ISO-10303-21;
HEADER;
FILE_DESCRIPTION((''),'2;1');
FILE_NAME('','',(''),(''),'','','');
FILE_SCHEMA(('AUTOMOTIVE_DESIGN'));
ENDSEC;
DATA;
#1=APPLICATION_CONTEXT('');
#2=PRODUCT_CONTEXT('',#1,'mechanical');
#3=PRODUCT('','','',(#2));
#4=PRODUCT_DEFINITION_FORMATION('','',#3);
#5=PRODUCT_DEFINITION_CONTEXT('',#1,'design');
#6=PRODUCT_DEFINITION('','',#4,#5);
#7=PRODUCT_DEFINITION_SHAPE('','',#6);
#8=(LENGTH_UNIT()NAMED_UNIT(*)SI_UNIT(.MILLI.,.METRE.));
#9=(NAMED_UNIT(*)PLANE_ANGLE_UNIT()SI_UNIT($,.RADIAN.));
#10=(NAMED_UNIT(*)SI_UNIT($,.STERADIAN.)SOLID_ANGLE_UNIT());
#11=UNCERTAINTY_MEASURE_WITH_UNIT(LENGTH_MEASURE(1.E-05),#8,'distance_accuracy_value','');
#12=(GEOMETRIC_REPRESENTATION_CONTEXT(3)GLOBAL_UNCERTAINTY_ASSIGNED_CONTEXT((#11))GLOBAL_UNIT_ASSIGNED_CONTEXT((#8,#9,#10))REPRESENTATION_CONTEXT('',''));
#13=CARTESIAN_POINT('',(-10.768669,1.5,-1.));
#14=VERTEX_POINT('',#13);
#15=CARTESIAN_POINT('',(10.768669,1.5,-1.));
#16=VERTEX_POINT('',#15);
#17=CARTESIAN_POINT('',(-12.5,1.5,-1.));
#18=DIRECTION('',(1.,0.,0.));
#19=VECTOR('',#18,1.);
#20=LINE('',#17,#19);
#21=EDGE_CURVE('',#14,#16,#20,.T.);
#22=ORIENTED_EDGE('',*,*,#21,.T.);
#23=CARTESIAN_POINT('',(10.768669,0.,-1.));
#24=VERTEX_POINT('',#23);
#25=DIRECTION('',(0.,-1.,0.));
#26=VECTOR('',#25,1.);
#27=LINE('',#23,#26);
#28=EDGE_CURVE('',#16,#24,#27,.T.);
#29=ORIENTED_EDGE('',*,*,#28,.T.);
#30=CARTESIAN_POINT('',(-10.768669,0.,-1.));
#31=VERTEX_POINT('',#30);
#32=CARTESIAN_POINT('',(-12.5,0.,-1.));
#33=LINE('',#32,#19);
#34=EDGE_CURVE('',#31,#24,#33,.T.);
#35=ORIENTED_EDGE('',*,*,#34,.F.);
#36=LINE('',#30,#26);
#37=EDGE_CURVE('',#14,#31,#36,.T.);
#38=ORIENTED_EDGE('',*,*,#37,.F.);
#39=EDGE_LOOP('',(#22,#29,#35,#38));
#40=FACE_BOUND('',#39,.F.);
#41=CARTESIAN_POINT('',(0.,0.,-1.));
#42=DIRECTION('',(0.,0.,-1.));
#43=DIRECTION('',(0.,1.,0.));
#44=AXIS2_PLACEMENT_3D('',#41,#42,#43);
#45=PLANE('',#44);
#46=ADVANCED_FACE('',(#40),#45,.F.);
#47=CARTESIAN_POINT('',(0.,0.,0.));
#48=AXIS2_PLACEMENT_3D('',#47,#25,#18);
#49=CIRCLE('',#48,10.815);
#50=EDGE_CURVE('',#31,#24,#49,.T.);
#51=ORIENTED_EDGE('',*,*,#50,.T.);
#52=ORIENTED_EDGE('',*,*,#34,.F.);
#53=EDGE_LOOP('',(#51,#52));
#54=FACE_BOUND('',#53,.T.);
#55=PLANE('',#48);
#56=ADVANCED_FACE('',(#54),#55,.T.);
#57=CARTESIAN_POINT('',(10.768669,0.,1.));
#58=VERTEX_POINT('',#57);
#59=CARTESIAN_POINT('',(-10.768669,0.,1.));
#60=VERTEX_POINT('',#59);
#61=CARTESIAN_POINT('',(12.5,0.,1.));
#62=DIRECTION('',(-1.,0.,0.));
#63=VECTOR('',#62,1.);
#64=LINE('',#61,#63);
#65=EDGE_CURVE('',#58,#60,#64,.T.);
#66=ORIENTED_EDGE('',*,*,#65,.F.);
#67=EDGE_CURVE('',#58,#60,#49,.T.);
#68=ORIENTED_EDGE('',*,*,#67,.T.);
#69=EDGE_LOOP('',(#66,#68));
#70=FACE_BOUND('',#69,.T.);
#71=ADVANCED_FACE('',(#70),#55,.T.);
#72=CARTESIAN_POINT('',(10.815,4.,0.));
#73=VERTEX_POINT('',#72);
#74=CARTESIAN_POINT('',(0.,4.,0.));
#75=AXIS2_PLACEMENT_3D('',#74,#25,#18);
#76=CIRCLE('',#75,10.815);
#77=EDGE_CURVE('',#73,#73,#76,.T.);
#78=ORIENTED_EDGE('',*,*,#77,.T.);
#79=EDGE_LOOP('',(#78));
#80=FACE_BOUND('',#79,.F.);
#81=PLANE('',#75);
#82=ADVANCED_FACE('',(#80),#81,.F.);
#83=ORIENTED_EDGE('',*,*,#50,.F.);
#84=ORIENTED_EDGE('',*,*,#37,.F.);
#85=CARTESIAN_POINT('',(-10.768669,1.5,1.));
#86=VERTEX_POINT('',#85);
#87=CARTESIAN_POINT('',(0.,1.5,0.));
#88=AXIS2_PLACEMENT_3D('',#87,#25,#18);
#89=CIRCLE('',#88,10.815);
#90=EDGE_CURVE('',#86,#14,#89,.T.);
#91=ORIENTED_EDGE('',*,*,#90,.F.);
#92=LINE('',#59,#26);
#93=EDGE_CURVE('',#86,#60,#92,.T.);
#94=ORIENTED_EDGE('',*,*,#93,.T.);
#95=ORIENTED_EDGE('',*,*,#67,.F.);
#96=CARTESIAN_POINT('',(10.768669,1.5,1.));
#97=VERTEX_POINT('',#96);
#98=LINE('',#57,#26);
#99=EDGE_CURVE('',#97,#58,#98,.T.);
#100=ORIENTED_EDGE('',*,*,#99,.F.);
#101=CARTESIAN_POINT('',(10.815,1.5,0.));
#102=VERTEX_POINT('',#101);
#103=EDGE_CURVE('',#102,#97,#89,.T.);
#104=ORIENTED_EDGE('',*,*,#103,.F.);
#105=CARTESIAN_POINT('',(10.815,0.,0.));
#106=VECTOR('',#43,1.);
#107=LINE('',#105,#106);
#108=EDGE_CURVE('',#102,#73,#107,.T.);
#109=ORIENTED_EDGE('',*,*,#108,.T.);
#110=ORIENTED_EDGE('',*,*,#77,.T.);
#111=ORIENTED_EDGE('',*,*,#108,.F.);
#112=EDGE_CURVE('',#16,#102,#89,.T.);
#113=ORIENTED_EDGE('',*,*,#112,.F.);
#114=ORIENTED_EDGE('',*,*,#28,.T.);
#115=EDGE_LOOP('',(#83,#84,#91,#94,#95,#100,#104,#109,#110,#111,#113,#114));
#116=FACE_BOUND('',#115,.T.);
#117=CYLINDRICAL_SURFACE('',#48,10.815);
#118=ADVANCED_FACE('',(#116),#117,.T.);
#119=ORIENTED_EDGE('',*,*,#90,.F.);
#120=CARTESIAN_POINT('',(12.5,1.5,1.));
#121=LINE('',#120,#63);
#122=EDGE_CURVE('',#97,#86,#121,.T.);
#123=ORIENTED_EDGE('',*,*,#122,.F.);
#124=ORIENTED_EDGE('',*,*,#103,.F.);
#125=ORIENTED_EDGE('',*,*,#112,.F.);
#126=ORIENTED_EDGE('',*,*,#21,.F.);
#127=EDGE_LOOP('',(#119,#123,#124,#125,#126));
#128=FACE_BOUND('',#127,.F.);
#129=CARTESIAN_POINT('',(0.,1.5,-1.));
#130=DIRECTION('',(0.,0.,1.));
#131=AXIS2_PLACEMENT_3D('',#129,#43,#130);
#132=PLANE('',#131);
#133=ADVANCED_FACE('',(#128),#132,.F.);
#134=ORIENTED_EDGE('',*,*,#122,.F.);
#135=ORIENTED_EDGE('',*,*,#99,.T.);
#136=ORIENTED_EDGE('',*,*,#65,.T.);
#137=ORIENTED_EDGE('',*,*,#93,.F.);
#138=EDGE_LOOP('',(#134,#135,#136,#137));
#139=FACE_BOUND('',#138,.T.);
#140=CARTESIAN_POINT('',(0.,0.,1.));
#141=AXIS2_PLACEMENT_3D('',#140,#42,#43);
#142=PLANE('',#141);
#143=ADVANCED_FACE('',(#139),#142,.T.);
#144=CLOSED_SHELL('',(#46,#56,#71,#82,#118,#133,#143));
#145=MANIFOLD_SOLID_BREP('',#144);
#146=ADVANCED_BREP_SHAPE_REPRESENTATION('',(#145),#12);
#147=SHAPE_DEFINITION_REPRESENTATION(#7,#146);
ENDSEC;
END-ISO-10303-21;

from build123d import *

# Parameters (mm, degrees)
F0_R     = 10.815
F1_DEPTH = 4
F2_W     = 1.5
F2_H     = 2
F3_DEPTH = 12.5


with BuildPart() as f1:
    # F0 (on Front) → F1 (new body)
    with BuildSketch(Plane.XZ):
        Circle(F0_R)
    extrude(amount=-F1_DEPTH)

    # F2 (on Right) → F3 (cut, symmetric)
    with BuildSketch(Plane.YZ):
        with Locations((0.75, 0)):
            Rectangle(F2_W, F2_H)
    extrude(amount=F3_DEPTH, both=True, mode=Mode.SUBTRACT)


solid = f1.part
